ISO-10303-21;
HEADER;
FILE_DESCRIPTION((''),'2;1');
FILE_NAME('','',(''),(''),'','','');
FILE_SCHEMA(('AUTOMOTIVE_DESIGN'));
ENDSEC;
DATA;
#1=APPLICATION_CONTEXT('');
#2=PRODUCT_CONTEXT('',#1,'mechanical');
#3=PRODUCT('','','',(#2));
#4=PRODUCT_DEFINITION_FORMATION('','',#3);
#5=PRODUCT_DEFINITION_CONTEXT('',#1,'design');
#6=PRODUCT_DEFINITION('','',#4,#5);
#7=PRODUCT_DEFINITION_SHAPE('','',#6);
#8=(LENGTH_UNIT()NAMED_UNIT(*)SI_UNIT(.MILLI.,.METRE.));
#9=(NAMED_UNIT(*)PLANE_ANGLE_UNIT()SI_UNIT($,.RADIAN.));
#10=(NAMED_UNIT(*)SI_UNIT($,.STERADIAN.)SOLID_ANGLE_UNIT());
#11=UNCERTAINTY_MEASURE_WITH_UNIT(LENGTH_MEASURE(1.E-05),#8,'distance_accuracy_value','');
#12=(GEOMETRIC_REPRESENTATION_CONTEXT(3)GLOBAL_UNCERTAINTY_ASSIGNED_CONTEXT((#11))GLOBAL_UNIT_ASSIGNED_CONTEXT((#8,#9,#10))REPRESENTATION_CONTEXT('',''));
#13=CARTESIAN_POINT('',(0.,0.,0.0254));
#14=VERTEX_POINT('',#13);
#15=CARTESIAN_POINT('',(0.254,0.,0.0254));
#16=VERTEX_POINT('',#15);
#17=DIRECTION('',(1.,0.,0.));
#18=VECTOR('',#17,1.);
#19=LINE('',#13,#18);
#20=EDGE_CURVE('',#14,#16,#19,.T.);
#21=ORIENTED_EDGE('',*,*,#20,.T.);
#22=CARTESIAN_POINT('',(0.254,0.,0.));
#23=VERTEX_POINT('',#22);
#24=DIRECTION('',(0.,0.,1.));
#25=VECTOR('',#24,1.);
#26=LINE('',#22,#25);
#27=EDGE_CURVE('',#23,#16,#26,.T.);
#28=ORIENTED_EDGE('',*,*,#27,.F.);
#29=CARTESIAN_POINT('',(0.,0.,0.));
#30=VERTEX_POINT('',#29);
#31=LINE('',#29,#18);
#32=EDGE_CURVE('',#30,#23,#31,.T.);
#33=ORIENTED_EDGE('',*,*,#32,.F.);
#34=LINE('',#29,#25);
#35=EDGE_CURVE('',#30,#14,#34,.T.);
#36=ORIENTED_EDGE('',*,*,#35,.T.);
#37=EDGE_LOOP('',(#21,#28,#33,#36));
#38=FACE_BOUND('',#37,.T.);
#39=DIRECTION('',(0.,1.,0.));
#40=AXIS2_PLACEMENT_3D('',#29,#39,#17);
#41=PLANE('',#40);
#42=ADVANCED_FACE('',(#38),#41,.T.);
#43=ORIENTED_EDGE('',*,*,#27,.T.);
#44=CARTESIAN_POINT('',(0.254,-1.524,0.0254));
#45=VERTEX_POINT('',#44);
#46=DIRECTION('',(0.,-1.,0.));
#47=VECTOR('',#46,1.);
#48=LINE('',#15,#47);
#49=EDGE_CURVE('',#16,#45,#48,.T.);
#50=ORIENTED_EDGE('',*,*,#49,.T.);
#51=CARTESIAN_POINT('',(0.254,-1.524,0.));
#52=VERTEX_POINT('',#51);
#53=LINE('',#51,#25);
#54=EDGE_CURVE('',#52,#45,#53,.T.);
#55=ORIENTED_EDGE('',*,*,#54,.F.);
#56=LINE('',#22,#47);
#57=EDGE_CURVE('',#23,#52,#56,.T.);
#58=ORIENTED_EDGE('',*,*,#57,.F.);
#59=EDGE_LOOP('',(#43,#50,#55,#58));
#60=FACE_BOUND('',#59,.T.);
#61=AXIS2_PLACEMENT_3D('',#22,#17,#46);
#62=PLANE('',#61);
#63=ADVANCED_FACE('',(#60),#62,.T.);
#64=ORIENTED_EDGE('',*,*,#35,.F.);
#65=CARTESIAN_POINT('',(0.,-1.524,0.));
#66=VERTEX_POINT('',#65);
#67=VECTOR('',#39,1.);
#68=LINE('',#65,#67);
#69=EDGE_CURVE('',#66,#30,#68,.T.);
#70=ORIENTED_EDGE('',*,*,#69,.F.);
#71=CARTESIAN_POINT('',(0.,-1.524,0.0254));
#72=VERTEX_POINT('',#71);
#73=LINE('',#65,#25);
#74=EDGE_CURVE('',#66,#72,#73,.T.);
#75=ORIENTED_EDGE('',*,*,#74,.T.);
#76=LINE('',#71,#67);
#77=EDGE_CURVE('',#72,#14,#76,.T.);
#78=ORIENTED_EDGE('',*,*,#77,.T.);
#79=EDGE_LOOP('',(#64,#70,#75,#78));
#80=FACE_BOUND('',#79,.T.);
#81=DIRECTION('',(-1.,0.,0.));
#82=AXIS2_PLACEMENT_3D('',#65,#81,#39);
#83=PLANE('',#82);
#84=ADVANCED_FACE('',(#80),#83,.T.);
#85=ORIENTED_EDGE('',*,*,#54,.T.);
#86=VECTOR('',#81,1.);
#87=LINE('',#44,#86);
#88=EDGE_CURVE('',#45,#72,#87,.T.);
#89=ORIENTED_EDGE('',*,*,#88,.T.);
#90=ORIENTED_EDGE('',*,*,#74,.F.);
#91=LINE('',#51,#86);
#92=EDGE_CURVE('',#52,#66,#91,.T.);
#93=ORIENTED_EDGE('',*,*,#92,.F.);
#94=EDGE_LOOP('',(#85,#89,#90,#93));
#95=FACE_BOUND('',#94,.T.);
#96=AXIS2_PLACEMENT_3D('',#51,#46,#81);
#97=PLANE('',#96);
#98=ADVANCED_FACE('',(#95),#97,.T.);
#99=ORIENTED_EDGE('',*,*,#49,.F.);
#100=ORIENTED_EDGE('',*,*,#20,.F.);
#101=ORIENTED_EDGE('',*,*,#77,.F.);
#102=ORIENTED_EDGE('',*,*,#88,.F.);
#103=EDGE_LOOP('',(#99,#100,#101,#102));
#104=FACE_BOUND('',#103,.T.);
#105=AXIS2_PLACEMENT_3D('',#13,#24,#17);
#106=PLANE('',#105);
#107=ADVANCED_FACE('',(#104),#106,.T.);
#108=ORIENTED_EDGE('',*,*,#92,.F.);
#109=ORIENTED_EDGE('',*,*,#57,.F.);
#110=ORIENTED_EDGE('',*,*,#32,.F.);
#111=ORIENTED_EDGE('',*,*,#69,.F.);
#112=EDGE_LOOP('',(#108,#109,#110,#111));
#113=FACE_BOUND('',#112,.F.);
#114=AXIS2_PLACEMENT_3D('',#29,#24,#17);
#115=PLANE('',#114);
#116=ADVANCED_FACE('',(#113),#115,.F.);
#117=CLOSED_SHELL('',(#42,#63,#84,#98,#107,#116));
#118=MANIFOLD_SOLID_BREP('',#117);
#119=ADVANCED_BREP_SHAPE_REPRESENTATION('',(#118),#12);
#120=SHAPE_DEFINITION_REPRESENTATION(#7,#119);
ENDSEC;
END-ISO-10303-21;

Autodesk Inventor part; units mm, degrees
ref_plane "YZ Plane" through (0, 0, 0) normal (1, 0, 0) x (0, 1, 0)
ref_plane "XZ Plane" through (0, 0, 0) normal (0, 1, 0) x (-1, 0, 0)
ref_plane "XY Plane" through (0, 0, 0) normal (0, 0, 1) x (1, 0, 0)
sketch "Sketch1" plane through (0, 0, 0) normal (0, 0, 1) x (1, 0, 0)
  line L0 (0, 0) -> (0.254, 0)
  line L1 (0.254, 0) -> (0.254, -1.524)
  line L2 (0.254, -1.524) -> (0, -1.524)
  line L3 (0, -1.524) -> (0, 0)
  dimension "d0" = 0.254
  dimension "d1" = 1.524
extrude "Extrusion1" add sketch "Sketch1" along normal blind 0.0254
properties part number "PCB Wire SM" material "Copper"
